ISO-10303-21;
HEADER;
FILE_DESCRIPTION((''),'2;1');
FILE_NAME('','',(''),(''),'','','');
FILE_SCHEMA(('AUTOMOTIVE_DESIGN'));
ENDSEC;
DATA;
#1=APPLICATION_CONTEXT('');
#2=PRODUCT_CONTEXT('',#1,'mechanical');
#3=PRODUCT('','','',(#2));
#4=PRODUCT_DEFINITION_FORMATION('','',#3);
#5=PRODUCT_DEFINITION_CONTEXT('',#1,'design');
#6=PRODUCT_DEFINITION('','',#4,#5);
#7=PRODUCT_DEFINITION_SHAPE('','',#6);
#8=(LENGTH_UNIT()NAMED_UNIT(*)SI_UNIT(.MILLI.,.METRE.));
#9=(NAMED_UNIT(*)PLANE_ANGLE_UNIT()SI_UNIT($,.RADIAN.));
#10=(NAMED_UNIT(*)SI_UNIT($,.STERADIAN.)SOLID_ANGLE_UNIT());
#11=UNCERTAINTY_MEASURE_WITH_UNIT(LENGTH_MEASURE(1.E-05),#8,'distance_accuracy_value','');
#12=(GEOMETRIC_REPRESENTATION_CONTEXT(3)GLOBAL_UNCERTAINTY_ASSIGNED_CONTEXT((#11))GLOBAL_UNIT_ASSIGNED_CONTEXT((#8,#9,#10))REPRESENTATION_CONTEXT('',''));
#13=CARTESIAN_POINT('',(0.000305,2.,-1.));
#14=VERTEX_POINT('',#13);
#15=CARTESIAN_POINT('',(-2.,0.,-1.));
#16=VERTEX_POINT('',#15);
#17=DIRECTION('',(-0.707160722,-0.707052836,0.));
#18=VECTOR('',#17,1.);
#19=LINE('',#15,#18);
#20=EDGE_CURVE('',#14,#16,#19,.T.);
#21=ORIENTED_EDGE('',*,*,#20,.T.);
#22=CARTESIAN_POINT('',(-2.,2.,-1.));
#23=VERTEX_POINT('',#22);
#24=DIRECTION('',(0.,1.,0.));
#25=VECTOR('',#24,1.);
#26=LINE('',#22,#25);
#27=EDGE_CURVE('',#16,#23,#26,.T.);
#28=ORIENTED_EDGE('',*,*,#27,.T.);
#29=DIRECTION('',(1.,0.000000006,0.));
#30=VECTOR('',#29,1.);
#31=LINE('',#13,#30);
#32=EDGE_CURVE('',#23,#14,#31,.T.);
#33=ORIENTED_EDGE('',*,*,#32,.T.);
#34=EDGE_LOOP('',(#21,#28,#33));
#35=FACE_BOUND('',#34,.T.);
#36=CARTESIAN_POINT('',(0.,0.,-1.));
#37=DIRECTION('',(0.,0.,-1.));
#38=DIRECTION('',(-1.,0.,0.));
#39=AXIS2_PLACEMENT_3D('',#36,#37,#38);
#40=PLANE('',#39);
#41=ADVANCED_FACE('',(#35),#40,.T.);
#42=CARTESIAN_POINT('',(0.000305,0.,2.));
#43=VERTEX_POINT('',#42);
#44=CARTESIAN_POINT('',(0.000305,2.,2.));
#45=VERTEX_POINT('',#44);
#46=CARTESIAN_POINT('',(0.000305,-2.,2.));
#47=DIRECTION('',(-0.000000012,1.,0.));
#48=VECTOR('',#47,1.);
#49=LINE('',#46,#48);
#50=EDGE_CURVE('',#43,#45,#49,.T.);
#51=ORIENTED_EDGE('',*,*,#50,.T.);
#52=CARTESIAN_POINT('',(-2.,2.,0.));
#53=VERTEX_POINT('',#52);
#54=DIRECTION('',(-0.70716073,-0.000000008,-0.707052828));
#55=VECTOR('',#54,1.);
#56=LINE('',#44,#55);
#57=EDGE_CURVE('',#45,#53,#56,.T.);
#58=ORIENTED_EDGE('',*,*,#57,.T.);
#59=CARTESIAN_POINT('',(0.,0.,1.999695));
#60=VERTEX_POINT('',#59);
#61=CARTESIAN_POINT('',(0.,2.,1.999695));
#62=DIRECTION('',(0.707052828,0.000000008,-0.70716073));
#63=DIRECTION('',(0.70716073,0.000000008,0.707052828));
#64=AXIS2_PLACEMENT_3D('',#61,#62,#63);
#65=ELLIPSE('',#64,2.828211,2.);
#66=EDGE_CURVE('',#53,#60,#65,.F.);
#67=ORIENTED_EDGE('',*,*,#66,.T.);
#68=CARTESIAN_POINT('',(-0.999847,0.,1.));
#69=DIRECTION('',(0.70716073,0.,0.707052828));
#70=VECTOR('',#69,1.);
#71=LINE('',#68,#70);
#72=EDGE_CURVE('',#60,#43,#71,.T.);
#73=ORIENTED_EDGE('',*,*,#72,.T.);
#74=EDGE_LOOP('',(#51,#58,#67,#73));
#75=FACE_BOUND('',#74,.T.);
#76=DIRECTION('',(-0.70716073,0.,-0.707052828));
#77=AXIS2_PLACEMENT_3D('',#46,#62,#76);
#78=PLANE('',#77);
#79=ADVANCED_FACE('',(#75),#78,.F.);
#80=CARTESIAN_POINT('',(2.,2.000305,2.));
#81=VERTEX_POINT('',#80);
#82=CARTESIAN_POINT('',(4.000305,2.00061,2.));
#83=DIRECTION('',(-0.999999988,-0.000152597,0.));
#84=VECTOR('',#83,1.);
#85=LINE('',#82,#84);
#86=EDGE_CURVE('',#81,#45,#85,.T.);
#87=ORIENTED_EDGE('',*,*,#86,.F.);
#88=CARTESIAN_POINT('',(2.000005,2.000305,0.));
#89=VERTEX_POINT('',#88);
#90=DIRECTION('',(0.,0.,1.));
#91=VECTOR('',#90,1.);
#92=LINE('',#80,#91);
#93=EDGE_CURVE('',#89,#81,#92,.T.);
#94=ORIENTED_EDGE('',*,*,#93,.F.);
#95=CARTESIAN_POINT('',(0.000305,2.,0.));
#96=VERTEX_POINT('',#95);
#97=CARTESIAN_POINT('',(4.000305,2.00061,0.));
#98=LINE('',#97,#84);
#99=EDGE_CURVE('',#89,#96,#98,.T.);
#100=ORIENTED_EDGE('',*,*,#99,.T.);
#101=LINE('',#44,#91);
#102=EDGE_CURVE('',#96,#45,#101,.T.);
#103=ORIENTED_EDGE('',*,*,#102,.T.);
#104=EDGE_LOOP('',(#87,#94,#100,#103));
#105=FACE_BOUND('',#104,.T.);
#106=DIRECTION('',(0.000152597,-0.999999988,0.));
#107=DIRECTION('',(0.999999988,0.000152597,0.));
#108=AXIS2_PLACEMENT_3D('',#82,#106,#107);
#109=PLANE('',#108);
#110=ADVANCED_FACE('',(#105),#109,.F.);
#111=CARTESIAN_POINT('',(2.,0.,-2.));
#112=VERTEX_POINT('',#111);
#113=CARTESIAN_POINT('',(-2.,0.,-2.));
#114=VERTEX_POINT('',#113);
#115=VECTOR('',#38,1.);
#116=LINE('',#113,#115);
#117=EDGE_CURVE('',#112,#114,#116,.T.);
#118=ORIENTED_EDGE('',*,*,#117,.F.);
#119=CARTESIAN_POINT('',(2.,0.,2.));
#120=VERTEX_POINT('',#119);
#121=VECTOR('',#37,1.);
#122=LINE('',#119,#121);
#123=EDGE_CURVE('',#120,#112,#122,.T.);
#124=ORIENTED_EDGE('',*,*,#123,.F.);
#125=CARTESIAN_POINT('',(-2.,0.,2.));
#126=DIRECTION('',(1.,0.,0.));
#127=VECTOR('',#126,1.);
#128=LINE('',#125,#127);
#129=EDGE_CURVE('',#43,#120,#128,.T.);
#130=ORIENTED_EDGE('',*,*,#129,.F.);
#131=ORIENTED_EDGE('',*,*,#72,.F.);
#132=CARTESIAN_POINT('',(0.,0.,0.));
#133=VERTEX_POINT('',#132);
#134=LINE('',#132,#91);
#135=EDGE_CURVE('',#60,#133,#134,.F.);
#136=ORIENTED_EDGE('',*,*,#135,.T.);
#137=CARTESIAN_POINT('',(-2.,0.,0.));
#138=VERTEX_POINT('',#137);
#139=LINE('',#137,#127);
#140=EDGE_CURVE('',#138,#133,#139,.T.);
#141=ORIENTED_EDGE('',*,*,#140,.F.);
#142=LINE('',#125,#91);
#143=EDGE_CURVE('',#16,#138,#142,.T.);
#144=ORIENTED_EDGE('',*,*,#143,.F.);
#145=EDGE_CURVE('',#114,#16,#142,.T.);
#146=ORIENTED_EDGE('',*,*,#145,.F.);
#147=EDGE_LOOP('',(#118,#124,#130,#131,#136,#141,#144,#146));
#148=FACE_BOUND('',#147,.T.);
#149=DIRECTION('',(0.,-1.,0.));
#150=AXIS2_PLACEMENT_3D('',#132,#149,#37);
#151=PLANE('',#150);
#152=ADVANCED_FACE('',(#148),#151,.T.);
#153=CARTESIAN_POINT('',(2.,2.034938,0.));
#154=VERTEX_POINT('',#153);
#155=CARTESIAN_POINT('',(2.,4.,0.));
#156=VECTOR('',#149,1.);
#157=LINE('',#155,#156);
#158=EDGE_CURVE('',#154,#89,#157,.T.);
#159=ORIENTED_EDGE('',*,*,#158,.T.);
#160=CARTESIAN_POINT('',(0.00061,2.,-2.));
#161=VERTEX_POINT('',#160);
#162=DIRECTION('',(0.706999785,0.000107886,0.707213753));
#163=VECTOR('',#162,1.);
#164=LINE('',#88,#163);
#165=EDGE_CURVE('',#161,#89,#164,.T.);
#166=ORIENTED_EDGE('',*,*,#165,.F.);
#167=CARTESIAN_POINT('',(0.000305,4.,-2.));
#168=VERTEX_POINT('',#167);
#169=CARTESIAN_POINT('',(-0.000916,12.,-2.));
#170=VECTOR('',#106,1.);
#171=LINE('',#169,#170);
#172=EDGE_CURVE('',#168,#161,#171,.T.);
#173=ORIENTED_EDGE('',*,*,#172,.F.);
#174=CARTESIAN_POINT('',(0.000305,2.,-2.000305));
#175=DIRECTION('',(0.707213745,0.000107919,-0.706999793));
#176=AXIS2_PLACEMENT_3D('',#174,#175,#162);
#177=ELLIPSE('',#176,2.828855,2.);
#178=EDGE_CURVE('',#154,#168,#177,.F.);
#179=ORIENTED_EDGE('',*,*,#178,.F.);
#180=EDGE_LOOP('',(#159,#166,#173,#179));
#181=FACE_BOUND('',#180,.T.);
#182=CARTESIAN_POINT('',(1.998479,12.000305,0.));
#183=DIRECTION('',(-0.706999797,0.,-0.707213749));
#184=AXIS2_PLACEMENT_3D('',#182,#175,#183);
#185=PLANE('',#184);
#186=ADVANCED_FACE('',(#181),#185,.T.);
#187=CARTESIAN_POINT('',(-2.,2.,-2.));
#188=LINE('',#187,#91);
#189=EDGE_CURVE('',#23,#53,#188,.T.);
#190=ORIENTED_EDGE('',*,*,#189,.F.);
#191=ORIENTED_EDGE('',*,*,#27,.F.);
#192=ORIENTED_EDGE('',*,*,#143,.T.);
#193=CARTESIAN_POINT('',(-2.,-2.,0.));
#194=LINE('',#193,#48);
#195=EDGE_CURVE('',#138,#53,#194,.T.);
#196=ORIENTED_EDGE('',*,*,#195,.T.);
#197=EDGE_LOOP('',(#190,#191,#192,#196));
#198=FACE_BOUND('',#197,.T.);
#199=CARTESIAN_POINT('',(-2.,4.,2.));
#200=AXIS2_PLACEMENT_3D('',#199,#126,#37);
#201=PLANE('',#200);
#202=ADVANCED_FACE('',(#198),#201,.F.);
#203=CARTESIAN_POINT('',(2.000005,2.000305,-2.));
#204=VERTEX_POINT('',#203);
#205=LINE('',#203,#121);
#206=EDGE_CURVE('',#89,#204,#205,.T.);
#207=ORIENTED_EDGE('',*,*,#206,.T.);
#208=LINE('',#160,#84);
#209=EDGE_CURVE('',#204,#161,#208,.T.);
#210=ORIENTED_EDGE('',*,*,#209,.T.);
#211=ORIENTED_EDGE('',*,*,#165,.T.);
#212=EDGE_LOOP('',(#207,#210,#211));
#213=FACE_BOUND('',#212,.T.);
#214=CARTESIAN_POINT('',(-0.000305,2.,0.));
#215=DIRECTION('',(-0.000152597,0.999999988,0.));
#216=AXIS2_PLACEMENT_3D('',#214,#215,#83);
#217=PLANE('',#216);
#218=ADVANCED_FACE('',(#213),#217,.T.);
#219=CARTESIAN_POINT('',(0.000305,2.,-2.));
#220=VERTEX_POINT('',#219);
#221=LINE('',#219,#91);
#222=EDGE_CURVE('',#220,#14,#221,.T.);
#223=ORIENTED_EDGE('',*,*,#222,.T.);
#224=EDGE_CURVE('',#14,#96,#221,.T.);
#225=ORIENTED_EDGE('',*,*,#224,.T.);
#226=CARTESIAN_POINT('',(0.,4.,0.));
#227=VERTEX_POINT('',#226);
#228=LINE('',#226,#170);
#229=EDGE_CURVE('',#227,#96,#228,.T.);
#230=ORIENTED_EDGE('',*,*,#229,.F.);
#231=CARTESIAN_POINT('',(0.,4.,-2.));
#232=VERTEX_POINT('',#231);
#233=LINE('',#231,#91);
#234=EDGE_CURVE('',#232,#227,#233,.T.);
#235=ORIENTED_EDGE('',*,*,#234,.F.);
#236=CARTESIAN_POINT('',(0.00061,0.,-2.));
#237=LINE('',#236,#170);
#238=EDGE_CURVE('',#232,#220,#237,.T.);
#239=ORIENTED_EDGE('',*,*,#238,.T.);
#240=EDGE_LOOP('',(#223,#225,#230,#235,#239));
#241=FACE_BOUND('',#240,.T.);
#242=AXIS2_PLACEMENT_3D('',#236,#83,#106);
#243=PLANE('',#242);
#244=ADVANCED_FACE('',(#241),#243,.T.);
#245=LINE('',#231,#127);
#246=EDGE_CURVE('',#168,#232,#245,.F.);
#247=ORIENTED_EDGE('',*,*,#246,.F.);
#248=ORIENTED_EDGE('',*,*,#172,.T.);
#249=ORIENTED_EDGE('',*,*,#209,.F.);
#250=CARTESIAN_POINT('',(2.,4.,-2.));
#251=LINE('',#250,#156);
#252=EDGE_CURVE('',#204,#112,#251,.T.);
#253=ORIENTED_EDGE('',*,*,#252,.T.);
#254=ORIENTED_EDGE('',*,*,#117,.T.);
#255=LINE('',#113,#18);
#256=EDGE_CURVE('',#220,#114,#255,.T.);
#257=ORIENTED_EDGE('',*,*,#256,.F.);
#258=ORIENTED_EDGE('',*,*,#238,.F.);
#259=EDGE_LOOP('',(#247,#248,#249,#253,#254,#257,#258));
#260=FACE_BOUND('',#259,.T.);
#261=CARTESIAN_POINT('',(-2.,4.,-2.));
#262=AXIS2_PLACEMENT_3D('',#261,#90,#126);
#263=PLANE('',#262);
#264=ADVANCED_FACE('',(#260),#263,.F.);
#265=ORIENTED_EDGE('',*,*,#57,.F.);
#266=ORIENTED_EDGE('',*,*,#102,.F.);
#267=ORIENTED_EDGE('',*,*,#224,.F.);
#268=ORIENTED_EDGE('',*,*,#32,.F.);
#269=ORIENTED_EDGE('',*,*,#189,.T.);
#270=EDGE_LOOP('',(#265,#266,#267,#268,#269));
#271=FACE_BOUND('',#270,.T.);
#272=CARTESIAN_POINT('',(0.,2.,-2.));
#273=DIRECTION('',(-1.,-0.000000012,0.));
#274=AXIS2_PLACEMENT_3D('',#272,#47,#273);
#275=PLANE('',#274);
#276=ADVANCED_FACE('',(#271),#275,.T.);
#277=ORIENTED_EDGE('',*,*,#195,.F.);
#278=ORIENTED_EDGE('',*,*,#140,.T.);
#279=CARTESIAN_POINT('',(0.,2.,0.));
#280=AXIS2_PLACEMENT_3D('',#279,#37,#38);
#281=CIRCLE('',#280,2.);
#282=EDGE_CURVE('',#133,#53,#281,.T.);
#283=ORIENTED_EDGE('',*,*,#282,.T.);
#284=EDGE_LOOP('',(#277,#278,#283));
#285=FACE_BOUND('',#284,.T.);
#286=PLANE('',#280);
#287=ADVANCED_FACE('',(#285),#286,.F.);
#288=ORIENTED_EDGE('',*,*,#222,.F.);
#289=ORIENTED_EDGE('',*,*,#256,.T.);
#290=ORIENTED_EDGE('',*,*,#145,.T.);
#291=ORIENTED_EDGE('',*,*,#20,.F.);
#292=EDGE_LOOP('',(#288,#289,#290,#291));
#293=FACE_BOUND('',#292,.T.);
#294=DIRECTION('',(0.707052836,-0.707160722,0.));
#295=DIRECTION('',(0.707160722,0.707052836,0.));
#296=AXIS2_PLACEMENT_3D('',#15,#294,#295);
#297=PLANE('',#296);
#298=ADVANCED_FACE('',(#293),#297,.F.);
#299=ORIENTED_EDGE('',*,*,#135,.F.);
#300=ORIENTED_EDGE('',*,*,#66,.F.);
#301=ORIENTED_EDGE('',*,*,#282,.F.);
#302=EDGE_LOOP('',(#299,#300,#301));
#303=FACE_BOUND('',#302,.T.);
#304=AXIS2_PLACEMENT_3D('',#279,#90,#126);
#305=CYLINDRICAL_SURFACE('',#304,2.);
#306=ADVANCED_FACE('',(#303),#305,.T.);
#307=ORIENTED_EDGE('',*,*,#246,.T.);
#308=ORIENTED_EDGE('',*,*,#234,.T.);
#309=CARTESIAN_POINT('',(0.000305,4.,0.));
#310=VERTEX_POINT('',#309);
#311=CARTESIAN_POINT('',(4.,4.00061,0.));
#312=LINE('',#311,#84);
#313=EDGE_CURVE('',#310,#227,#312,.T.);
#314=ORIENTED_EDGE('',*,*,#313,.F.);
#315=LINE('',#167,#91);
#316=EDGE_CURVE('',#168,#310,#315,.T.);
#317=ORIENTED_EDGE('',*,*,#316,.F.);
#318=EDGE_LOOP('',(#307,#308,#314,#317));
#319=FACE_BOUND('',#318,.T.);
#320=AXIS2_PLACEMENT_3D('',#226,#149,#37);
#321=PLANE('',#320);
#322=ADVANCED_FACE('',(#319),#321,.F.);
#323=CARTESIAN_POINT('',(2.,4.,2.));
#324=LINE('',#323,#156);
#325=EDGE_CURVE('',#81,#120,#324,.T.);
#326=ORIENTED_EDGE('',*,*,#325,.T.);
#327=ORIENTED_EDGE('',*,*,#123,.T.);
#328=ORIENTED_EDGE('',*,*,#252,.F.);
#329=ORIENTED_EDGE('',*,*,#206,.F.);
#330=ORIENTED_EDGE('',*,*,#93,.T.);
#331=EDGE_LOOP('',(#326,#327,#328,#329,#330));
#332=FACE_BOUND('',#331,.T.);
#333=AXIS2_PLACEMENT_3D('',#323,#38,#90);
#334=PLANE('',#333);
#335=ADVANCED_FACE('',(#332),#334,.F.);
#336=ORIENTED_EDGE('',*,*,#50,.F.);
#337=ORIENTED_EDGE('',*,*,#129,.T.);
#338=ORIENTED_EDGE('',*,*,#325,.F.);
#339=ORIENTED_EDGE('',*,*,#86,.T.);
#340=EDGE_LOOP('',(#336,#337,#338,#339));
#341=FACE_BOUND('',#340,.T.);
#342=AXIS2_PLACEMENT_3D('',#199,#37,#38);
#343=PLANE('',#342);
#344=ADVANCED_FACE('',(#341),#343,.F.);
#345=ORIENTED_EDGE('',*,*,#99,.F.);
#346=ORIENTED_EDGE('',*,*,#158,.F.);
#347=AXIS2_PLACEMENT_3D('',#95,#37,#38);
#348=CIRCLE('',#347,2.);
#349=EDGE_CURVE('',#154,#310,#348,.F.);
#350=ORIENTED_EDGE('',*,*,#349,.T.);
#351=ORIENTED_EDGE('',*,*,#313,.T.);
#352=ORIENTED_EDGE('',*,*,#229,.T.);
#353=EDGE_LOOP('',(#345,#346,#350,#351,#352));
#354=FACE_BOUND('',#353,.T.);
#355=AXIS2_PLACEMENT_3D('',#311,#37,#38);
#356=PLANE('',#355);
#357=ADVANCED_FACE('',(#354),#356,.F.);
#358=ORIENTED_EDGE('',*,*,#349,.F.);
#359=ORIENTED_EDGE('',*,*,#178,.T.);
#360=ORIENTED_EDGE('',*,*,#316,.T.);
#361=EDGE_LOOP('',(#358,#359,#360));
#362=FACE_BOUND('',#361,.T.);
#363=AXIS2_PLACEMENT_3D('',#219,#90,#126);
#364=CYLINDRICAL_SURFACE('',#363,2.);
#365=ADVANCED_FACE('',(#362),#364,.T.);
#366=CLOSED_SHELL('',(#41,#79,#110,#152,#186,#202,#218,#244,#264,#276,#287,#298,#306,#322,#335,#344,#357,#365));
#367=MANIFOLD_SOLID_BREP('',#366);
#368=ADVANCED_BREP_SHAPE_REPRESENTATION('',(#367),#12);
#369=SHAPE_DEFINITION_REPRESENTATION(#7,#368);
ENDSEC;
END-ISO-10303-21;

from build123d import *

# Parameters (mm, degrees)
SKETCH1_W           = 4
SKETCH1_H           = 4
BOSS_EXTRUDE1_DEPTH = 4
CUT_EXTRUDE1_DEPTH  = 4
CUT_EXTRUDE2_DEPTH  = 4
SKETCH4_W           = 2
SKETCH4_H           = 2
CUT_EXTRUDE3_DEPTH  = 4
CUT_EXTRUDE4_DEPTH  = 10
CUT_EXTRUDE5_DEPTH  = 1
CUT_EXTRUDE6_DEPTH  = 2


with BuildPart() as part:
    # Sketch1 → Boss-Extrude1 (new body)
    with BuildSketch(Plane(origin=(0, 0, 0), x_dir=(1, 0, 0), z_dir=(0, 1, 0))):
        Rectangle(SKETCH1_W, SKETCH1_H)
    extrude(amount=BOSS_EXTRUDE1_DEPTH)

    # Sketch2 → Cut-Extrude1 (cut)
    with BuildSketch(Plane.XY.offset(2)):
        Polygon((0.000305194, 2.000000023), (0, 4), (-2, 4), (-2, 2), align=None)
        with BuildLine():
            Line((2, 4), (0, 4))
            ThreePointArc((0, 4), (1.402002953, 3.426619591), (2, 2.034938268))
            Line((2, 2.034938268), (2, 4))
        make_face()
    extrude(amount=-CUT_EXTRUDE1_DEPTH, mode=Mode.SUBTRACT)

    # Sketch3 → Cut-Extrude2 (cut)
    with BuildSketch(Plane(origin=(-2.3e-08, 2.000000023, 0), x_dir=(1, 1.2e-08, 0), z_dir=(-1.2e-08, 1, 0))):
        Polygon((0.00030524, -2), (-1.999999977, 0), (-1.999999977, -2), align=None)
    extrude(amount=-CUT_EXTRUDE2_DEPTH, mode=Mode.SUBTRACT)

    # Sketch4 → Cut-Extrude3 (cut)
    with BuildSketch(Plane(origin=(0.000610387, 9.3e-08, 0), x_dir=(0, 0, 1), z_dir=(-0.999999988, -0.000152597, 0))):
        with Locations((1, 2.999999953)):
            Rectangle(SKETCH4_W, SKETCH4_H)
    extrude(amount=-CUT_EXTRUDE3_DEPTH, mode=Mode.SUBTRACT)

    # Sketch5 → Cut-Extrude4 (cut)
    with BuildSketch(Plane(origin=(-0.000305194, 1.99999993, 0), x_dir=(0.999999988, 0.000152597, 0), z_dir=(-0.000152597, 0.999999988, 0))):
        Polygon((2.000310502, 0), (0.000915581, 2), (2.000310502, 2), align=None)
    extrude(amount=CUT_EXTRUDE4_DEPTH, mode=Mode.SUBTRACT)

    # Sketch6 → Cut-Extrude5 (cut)
    with BuildSketch(Plane(origin=(0, 0, -2), x_dir=(-1, 0, 0), z_dir=(0, 0, -1))):
        Polygon((2, 0), (-0.000305194, 2.000000023), (2, 2.000000012), align=None)
    extrude(amount=-CUT_EXTRUDE5_DEPTH, mode=Mode.SUBTRACT)

    # Sketch7 → Cut-Extrude6 (cut)
    with BuildSketch(Plane.XY.offset(2)):
        with BuildLine():
            Line((-2, 2), (-1.999999977, 0))
            Line((-1.999999977, 0), (0.00030524, 0))
            ThreePointArc((0.00030524, 0), (-1.414105641, 0.585678515), (-2, 2))
        make_face()
    extrude(amount=-CUT_EXTRUDE6_DEPTH, mode=Mode.SUBTRACT)


solid = part.part
